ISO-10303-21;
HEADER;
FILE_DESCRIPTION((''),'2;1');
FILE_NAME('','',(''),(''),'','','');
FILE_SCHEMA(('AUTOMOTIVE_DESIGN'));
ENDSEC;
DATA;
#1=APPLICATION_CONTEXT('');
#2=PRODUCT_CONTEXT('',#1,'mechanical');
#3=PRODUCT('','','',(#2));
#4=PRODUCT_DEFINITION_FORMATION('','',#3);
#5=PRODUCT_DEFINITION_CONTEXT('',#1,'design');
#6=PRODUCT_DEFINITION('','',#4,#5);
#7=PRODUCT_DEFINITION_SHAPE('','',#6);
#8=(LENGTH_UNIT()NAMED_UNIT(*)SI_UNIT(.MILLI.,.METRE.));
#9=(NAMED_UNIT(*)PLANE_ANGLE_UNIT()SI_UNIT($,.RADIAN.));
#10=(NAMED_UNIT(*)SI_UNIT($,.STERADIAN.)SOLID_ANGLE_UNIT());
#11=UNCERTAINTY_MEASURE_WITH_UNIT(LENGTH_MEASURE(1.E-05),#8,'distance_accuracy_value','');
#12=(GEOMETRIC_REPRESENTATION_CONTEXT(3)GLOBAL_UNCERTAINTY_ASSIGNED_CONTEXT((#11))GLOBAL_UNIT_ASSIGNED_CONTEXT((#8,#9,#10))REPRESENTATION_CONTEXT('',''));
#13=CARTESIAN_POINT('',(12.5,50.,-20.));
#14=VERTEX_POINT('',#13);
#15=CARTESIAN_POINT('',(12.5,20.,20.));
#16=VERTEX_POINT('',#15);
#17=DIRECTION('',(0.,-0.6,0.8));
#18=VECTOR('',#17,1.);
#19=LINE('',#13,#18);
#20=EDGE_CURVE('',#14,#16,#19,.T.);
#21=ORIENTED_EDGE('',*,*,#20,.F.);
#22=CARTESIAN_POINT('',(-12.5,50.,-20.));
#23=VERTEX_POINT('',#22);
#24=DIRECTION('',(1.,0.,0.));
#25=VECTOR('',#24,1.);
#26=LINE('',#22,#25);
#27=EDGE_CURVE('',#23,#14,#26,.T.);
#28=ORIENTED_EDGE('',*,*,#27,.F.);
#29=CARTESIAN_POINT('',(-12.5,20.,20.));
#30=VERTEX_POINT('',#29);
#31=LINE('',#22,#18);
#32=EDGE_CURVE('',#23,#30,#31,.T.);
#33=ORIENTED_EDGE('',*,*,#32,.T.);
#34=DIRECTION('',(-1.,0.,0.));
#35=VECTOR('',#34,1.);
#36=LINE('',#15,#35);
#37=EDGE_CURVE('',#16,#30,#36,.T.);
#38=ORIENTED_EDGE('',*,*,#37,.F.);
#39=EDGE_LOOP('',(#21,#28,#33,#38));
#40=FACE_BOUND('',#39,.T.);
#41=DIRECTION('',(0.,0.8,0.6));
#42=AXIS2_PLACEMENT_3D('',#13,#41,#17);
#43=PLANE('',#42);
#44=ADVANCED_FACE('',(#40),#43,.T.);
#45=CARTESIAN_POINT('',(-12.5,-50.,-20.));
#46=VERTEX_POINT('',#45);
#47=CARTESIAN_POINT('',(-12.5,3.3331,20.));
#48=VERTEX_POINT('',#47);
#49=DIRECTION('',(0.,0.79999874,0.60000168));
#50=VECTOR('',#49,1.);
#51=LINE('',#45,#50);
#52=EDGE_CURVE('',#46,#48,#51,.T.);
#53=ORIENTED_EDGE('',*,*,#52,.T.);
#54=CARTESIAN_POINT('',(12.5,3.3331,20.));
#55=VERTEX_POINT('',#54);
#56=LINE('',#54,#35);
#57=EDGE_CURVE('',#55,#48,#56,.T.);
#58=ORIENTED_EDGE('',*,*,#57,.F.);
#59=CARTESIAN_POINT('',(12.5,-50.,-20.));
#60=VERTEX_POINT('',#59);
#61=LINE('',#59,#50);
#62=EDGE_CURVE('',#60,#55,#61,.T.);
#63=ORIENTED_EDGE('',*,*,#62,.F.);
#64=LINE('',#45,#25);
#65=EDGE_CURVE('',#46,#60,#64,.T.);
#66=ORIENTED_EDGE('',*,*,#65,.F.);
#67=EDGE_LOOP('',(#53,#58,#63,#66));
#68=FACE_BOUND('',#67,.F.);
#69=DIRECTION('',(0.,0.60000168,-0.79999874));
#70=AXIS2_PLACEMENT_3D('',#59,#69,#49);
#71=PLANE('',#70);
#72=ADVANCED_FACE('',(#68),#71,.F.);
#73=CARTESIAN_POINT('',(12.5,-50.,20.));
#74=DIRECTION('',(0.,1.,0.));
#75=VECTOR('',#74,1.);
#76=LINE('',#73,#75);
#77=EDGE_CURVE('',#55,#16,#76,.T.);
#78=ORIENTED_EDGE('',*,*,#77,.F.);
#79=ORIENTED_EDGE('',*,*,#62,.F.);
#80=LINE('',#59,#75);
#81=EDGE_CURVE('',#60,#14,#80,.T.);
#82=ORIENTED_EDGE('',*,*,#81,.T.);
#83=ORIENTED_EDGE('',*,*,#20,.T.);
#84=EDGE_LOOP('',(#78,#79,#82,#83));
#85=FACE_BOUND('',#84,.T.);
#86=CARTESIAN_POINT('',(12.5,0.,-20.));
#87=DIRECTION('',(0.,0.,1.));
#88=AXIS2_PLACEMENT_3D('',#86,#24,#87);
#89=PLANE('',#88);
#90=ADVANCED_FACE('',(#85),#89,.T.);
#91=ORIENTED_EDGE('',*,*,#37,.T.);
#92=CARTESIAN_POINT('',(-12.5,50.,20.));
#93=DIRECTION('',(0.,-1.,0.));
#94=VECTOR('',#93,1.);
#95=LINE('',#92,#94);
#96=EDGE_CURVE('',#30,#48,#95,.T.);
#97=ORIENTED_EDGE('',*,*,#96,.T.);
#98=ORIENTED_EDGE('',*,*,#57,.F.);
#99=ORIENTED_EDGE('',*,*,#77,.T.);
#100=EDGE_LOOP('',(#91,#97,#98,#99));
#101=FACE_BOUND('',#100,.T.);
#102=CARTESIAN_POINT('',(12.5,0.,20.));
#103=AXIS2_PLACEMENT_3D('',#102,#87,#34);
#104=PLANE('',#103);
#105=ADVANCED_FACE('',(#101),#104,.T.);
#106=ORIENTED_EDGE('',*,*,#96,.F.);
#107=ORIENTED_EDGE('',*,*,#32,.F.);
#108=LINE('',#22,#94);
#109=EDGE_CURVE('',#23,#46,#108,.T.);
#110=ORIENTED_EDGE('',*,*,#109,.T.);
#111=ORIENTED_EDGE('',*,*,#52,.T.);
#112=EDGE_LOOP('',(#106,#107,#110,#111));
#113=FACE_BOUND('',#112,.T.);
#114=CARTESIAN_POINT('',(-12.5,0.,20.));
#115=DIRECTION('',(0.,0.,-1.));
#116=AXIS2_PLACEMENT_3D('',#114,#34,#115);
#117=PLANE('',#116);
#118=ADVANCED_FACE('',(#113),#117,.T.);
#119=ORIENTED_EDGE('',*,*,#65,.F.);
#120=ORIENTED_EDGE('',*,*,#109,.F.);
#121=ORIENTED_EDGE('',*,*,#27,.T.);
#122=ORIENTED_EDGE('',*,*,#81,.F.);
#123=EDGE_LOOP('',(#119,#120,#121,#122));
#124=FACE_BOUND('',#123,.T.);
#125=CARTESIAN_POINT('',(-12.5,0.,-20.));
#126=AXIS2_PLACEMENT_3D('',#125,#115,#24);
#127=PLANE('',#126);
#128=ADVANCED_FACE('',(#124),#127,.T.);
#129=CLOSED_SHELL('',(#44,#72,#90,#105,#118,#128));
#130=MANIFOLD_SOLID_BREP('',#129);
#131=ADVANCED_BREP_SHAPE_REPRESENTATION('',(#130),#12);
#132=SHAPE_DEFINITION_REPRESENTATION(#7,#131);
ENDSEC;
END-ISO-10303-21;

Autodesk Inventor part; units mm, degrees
ref_plane "YZ Plane" through (0, 0, 0) normal (1, 0, 0) x (0, 1, 0)
ref_plane "XZ Plane" through (0, 0, 0) normal (0, 1, 0) x (-1, 0, 0)
ref_plane "XY Plane" through (0, 0, 0) normal (0, 0, 1) x (1, 0, 0)
sketch "Esboço1" plane through (0, 0, 0) normal (0, 1, 0) x (-1, 0, 0)
  line L0 (-12.5, 20) -> (12.5, 20)
  line L1 (12.5, 20) -> (12.5, -20)
  line L2 (12.5, -20) -> (-12.5, -20)
  line L3 (-12.5, -20) -> (-12.5, 20)
  line L4 (-12.5, 20) -> (12.5, -20) construction
  line L5 (12.5, 20) -> (-12.5, -20) construction
  point P0 (0, 0)
  dimension "lenght" = 25
  dimension "widht" = 40
extrude "Extrusão1" add sketch "Esboço1" along normal mid plane 100
sketch "Esboço2" plane through (12.5, -50, -20) normal (1, 0, 0) x (0, 0, -1)
  line L0 (0, 100) -> (0, 0) projected
  line L1 (0, 100) -> (-40, 70)
  line L2 (-40, 0) -> (-40, 100) projected
  line L3 (-40, 70) -> (-40, 100)
  line L4 (-40, 100) -> (0, 100)
  point P0 (-20, 50)
  dimension "d4" = 50
extrude "Extrusão2" cut sketch "Esboço2" against normal blind 25
sketch "Esboço3" plane through (12.5, -50, 20) normal (1, 0, 0) x (0, 0, -1)
  line L0 (0, 0) -> (40, 0) projected
  line L1 (40, 0) -> (0, 53.3331)
  line L2 (0, 70) -> (0, 0) projected
  line L3 (0, 53.3331) -> (0, 0)
  line L4 (0, 0) -> (40, 0)
  point P0 (20, 50)
  dimension "d7" = 36.87
extrude "Extrusão3" cut sketch "Esboço3" against normal blind 25
equation "\"lenght\" = RIP_L"
equation "\"widht\" = RIP_H"
equation "\"d5\" = RIP_L"
equation "\"d8\" = RIP_L"
equation "\"RIP_H\" = 40"
equation "\"RIP_L\" = 25"
properties part number "feet" material "Madeira"
